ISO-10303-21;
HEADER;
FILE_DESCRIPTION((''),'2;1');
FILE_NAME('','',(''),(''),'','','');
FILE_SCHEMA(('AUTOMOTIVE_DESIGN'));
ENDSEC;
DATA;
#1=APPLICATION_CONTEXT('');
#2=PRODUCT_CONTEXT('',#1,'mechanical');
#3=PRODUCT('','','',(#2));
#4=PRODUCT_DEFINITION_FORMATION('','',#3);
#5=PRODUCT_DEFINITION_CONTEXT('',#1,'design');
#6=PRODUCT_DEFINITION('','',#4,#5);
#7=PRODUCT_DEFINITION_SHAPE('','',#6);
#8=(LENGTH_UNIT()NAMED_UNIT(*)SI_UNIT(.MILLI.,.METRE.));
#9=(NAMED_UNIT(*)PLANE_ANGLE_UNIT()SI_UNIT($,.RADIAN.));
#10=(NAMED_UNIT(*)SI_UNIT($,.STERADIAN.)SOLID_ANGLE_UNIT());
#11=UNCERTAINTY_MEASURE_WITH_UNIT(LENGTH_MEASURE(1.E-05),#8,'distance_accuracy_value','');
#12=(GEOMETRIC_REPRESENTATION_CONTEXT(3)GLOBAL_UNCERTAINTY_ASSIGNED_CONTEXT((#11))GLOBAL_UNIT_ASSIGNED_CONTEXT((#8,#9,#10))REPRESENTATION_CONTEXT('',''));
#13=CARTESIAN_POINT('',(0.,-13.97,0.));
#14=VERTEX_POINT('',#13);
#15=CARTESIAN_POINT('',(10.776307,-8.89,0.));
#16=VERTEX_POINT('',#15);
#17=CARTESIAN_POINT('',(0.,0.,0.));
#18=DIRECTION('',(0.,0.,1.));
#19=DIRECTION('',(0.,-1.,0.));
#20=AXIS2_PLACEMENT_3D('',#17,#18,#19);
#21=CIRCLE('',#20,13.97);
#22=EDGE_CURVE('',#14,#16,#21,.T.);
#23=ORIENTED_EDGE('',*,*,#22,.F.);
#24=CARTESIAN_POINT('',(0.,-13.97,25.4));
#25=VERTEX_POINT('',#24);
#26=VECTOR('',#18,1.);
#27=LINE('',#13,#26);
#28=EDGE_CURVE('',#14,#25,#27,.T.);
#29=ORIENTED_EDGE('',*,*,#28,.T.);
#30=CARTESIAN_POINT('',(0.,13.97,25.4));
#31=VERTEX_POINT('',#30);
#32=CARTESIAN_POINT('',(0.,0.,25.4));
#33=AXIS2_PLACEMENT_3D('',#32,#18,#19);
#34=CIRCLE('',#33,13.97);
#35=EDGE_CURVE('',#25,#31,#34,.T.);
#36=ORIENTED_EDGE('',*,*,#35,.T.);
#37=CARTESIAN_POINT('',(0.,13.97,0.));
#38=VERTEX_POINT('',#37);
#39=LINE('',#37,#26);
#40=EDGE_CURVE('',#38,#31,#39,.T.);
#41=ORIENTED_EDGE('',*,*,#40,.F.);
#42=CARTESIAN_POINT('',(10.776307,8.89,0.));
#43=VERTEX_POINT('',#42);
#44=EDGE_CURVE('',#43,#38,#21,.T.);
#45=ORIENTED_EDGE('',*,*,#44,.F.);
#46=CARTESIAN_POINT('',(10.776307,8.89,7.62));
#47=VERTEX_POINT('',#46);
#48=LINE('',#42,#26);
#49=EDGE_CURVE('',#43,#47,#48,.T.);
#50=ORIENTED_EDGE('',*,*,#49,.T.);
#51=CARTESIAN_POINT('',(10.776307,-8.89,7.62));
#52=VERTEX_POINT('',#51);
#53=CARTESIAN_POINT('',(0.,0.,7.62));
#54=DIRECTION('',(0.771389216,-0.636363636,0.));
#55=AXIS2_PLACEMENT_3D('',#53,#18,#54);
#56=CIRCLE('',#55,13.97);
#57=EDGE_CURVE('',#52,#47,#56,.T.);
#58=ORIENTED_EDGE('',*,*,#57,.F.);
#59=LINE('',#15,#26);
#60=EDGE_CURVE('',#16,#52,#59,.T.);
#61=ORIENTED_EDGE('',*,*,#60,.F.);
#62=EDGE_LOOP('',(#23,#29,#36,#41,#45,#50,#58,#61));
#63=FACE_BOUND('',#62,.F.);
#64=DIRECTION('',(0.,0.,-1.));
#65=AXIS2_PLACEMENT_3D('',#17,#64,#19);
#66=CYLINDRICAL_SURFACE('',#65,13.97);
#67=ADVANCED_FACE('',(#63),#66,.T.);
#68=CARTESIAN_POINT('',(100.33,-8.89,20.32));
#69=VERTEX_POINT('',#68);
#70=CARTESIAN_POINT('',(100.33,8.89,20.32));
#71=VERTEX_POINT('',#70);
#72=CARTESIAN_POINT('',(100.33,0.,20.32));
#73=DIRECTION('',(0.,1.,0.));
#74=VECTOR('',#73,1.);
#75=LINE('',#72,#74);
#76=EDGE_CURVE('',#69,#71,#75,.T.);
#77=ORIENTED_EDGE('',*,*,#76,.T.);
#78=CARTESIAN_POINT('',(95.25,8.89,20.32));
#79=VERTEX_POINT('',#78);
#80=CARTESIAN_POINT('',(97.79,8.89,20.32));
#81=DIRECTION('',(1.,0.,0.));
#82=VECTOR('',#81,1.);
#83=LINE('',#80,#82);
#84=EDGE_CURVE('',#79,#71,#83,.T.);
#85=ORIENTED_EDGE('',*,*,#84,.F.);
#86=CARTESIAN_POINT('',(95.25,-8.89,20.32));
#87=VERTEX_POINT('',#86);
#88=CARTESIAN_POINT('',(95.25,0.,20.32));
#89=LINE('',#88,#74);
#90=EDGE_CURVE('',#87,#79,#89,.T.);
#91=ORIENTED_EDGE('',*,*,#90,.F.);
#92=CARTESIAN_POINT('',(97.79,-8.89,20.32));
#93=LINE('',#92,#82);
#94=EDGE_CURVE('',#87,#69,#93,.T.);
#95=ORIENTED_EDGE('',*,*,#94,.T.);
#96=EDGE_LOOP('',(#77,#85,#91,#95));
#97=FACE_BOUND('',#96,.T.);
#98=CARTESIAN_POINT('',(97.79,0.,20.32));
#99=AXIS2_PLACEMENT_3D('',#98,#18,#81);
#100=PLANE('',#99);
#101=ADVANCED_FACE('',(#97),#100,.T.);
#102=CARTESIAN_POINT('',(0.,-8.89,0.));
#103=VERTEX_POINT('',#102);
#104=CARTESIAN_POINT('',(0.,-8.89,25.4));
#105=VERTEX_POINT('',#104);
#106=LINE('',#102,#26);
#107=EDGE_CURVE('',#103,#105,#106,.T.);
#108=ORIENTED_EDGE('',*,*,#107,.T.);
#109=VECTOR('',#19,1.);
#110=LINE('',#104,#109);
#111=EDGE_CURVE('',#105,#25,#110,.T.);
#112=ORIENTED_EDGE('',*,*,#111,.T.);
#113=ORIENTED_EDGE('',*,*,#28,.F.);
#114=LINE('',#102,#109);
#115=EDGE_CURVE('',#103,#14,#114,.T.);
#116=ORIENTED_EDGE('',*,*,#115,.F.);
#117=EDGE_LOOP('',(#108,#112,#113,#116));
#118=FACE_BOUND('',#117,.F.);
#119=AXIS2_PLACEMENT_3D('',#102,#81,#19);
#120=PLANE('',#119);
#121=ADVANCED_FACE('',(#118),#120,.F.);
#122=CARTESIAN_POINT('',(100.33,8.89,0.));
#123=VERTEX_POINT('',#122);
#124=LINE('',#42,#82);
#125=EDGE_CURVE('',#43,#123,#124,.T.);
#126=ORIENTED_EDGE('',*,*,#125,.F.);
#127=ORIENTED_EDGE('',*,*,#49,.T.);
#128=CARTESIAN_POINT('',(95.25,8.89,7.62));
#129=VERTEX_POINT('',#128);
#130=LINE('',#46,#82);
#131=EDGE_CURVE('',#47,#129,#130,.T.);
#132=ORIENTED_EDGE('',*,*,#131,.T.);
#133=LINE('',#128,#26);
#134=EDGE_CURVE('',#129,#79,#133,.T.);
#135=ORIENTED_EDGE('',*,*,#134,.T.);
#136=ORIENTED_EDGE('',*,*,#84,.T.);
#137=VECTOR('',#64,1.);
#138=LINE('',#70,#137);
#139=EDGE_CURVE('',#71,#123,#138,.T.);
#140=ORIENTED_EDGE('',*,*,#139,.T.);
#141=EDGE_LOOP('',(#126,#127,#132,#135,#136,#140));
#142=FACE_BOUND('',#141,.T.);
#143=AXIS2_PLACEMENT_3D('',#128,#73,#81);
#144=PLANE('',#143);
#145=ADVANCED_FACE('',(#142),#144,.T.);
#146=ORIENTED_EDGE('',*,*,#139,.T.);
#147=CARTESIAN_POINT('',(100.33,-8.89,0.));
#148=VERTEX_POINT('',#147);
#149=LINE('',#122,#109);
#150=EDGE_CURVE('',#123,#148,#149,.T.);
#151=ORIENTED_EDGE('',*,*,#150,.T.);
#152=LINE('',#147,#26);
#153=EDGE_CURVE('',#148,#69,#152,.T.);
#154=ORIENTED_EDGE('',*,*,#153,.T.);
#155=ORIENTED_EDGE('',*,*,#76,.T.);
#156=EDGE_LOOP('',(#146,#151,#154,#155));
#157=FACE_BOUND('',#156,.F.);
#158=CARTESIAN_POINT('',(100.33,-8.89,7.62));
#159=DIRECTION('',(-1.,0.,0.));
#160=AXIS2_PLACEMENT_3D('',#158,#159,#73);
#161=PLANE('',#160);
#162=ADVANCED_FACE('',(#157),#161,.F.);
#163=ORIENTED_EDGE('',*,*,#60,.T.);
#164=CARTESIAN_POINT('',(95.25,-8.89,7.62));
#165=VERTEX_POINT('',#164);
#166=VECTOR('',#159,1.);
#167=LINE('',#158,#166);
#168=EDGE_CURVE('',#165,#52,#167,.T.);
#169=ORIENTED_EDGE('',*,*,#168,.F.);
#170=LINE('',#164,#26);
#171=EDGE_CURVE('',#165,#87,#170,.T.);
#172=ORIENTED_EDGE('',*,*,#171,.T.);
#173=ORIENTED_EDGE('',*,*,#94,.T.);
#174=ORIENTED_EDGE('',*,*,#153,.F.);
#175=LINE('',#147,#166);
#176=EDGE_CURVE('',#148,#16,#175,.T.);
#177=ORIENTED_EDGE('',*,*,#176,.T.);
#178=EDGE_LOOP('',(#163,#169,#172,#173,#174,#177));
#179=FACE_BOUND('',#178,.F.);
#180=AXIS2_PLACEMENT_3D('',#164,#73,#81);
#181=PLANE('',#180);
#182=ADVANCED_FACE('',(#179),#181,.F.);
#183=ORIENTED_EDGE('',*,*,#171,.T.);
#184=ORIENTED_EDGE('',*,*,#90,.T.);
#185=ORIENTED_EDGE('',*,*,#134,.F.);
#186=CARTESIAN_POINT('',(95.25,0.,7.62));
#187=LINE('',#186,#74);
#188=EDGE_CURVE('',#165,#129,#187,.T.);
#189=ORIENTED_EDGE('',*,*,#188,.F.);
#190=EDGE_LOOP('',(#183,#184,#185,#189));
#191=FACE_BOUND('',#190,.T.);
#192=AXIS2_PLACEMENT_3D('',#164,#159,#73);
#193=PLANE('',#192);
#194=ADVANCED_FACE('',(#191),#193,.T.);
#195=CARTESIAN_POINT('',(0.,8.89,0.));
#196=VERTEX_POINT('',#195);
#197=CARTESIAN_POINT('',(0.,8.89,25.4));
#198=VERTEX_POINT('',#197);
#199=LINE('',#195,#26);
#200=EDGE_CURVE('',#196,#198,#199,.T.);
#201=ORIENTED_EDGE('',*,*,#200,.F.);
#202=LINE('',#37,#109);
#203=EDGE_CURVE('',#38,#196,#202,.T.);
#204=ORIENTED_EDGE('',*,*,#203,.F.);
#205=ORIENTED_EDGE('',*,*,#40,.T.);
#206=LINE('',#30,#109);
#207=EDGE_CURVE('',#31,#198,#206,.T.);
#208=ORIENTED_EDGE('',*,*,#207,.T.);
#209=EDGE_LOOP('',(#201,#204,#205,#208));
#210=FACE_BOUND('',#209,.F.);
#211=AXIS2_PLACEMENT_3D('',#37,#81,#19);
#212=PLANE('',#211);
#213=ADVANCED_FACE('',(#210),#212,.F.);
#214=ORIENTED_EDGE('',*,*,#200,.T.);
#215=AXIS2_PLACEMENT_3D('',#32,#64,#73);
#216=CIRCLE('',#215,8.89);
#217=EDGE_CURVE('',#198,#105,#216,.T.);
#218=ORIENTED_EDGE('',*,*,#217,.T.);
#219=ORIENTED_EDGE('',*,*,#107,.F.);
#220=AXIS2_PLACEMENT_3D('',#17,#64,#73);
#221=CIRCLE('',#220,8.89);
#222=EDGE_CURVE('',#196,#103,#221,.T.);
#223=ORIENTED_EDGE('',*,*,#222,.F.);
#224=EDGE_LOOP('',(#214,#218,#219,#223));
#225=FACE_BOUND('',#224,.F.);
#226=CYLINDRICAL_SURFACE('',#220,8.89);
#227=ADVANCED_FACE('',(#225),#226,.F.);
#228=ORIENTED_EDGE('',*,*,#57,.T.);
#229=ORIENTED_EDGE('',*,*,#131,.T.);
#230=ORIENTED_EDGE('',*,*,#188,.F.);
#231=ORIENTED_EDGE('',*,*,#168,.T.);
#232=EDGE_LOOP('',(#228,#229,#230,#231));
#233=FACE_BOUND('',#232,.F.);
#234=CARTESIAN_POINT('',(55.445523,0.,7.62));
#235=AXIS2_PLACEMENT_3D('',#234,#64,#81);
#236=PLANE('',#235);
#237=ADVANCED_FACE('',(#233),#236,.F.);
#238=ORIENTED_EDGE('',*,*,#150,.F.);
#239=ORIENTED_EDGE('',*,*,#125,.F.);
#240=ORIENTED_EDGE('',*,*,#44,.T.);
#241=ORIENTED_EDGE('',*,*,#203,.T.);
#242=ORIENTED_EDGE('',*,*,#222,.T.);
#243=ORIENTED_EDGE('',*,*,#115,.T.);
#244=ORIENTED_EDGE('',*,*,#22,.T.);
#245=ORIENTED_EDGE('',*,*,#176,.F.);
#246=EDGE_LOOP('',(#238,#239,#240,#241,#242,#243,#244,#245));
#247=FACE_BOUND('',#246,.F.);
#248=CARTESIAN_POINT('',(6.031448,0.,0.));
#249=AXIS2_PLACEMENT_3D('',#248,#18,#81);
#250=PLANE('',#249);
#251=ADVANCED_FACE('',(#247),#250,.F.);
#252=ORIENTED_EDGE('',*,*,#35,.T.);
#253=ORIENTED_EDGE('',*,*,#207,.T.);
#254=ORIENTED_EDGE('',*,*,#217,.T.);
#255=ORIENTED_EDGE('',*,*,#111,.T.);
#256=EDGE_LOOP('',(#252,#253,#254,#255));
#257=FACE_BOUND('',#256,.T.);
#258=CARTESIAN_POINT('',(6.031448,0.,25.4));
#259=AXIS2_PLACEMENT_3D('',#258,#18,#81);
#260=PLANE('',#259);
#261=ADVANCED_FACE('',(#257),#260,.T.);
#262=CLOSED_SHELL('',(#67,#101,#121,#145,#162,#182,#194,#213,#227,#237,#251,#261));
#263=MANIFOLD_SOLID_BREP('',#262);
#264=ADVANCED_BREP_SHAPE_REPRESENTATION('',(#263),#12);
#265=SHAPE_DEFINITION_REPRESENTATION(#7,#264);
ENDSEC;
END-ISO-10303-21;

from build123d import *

# Parameters (mm, degrees)
F1_DEPTH = 25.4
F3_DEPTH = 7.62
F4_W     = 5.08
F4_H     = 17.78
F5_DEPTH = 12.7


with BuildPart() as f1:
    # F0 (on Top) → F1 (new body)
    with BuildSketch(Plane.XY):
        with BuildLine():
            ThreePointArc((0, 8.89), (8.89, 0), (0, -8.89))
            Line((0, -8.89), (0, -13.97))
            ThreePointArc((0, -13.97), (13.97, 0), (0, 13.97))
            Line((0, 13.97), (0, 8.89))
        make_face()
    extrude(amount=F1_DEPTH)

    # F2 (on face) → F3 (join)
    with BuildSketch(Plane(origin=(0, 0, 0), x_dir=(1, 0, 0), z_dir=(0, 0, -1))):
        with BuildLine():
            Line((100.33, 8.89), (10.7763073453, 8.89))
            ThreePointArc((10.7763073453, 8.89), (13.97, 0), (10.7763073453, -8.89))
            Line((10.7763073453, -8.89), (100.33, -8.89))
            Line((100.33, -8.89), (100.33, 8.89))
        make_face()
    extrude(amount=-F3_DEPTH)

    # F4 (on face) → F5 (join)
    with BuildSketch(Plane.XY.offset(7.62)):
        with Locations((97.79, 0)):
            Rectangle(F4_W, F4_H)
    extrude(amount=F5_DEPTH)


solid = f1.part
